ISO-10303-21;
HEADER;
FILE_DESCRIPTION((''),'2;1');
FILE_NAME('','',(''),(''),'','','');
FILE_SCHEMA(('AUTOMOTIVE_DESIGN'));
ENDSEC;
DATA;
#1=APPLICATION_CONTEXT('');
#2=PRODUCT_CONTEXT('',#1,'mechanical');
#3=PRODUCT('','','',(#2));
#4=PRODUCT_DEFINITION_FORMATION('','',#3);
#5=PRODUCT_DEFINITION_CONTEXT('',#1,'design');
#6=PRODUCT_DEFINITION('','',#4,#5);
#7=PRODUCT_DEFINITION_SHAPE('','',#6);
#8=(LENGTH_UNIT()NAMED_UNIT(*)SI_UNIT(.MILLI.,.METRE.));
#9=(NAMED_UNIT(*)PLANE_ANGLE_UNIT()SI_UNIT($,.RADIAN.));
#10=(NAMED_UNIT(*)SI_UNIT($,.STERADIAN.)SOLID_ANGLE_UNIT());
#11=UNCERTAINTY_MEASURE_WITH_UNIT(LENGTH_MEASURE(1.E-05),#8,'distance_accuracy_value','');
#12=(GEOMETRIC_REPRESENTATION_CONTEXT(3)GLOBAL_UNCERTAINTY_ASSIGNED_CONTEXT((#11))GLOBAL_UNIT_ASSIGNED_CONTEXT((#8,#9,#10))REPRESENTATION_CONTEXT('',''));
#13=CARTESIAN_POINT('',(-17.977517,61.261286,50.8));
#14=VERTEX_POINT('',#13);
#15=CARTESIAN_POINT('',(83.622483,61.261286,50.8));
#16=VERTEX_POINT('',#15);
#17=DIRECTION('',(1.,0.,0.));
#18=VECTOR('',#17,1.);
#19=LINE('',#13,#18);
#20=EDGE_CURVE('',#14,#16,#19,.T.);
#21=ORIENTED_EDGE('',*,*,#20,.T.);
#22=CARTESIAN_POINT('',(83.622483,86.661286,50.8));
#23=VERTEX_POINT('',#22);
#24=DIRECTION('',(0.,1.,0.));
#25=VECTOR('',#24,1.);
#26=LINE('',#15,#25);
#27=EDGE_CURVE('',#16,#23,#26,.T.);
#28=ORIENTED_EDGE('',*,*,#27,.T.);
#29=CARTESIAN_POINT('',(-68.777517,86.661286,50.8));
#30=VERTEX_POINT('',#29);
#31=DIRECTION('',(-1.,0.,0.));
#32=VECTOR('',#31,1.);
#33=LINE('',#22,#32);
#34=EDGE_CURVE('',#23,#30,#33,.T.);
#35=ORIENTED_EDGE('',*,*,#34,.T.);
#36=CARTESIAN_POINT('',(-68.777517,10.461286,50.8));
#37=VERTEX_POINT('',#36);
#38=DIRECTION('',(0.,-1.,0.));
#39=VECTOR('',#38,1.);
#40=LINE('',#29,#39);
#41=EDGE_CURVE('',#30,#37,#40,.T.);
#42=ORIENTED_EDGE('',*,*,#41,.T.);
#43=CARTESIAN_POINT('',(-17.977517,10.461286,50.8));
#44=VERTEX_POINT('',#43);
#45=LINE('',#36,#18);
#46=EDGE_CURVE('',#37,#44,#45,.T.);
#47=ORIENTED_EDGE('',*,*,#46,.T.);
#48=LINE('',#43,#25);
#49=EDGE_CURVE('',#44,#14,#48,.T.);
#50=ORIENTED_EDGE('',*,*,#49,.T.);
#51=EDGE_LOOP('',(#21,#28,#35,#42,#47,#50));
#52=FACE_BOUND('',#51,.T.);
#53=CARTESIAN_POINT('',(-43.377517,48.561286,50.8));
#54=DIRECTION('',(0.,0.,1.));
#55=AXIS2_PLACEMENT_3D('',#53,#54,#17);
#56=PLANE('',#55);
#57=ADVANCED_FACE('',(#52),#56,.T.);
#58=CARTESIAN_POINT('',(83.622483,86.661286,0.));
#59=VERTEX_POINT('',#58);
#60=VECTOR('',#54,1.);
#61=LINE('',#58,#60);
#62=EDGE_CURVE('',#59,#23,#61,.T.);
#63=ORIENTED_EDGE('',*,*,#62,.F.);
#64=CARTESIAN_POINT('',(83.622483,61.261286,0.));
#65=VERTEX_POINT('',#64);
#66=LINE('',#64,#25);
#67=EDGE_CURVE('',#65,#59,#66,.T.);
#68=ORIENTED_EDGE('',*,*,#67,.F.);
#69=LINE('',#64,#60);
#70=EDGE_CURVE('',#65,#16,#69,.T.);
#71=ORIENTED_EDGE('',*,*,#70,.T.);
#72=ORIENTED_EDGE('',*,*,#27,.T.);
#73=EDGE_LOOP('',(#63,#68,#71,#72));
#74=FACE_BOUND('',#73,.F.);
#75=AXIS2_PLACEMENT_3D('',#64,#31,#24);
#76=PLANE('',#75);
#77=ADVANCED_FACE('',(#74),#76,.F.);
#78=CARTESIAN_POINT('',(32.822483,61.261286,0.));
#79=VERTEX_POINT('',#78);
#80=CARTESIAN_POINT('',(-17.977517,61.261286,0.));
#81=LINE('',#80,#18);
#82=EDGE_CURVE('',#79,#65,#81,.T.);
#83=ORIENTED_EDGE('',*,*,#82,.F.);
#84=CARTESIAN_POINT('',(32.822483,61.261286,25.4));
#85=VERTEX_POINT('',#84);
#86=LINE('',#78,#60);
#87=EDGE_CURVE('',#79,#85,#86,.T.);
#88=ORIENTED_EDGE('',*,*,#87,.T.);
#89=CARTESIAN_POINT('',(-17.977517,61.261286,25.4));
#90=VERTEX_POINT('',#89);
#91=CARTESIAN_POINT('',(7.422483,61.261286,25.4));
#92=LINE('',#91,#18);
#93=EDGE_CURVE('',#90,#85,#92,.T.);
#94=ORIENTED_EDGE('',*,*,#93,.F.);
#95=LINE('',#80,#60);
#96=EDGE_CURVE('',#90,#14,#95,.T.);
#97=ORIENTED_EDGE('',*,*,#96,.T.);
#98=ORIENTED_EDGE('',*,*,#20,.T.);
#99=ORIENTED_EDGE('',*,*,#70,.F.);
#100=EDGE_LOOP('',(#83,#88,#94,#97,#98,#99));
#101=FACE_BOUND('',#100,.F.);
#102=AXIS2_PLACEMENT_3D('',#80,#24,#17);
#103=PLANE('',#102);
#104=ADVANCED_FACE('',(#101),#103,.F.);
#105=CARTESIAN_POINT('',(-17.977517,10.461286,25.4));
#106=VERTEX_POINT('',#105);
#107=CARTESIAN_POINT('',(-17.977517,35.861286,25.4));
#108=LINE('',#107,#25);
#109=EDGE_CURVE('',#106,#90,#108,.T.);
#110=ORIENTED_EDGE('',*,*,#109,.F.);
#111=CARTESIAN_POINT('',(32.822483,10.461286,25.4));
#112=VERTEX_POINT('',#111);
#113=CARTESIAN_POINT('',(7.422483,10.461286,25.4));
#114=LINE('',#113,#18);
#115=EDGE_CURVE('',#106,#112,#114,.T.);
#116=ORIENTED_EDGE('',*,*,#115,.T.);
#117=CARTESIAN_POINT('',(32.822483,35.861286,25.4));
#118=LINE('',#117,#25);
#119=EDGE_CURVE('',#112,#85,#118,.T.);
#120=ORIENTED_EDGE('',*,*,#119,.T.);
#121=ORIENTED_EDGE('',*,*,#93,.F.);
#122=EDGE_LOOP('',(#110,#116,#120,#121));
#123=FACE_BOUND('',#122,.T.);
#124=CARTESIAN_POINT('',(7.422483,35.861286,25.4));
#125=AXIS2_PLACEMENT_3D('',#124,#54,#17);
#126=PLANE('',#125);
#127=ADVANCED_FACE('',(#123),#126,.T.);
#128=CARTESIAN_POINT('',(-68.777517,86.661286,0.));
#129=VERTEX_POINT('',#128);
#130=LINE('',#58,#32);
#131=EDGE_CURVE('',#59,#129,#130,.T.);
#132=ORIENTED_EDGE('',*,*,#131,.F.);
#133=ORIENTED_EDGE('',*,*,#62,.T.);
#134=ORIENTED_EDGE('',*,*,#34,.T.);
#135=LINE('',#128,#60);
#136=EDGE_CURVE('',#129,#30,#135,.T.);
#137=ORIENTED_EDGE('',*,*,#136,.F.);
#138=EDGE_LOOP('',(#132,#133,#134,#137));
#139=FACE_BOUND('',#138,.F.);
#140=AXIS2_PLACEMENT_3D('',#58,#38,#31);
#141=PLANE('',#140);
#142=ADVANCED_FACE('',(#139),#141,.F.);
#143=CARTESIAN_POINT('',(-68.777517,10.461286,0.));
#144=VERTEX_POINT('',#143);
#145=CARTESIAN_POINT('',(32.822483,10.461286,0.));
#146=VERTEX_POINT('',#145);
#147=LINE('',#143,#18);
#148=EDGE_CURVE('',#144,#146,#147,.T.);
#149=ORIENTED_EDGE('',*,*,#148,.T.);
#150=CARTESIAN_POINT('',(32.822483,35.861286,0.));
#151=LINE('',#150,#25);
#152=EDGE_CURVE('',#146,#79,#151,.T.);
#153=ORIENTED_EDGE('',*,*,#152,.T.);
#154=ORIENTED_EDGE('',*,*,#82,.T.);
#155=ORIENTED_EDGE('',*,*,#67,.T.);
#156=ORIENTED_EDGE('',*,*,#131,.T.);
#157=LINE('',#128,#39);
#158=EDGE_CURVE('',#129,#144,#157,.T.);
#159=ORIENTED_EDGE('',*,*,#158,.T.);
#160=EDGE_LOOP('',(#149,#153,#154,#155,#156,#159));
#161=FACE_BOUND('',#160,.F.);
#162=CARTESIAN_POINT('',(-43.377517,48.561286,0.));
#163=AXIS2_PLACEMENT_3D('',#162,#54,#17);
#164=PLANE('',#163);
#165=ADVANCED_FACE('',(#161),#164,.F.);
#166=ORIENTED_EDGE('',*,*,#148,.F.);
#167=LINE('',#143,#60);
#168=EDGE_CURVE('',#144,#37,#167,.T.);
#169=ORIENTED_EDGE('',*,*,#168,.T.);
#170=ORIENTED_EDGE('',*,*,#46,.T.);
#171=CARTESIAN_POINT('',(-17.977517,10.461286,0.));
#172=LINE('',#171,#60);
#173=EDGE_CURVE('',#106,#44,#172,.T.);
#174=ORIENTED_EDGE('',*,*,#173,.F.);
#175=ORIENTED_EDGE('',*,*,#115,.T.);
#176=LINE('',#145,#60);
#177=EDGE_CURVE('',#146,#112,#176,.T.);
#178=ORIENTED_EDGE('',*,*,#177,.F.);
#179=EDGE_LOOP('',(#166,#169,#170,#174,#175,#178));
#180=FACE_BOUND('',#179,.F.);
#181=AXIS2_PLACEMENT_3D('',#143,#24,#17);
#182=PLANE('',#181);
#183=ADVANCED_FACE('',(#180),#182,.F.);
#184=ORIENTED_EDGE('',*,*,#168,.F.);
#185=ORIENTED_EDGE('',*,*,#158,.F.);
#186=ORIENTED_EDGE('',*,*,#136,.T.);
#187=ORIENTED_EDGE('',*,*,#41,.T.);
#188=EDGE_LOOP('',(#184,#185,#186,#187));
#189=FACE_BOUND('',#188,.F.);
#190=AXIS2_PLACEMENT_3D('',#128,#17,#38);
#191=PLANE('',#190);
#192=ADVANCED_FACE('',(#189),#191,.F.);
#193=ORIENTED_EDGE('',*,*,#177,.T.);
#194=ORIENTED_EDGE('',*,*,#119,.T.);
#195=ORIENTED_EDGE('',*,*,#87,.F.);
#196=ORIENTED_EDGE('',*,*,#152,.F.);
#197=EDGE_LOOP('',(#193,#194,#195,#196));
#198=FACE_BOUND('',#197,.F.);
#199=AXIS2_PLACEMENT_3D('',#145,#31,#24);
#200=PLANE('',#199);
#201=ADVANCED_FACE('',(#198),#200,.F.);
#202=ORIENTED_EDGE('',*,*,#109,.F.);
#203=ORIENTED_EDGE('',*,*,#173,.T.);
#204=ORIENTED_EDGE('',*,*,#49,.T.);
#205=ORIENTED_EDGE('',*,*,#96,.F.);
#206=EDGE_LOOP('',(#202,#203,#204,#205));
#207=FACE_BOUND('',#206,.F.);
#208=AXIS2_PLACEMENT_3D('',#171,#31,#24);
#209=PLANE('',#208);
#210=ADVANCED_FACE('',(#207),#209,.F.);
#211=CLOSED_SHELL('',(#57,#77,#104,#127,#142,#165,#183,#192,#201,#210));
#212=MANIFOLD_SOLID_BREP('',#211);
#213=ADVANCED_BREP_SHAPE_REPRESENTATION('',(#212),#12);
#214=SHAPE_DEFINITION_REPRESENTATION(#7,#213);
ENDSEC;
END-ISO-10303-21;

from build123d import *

# Parameters (mm, degrees)
F0_W     = 50.8
F0_H     = 50.8
F1_DEPTH = 25.4
F2_DEPTH = 50.8


with BuildPart() as f1:
    # F0 (on Top) → F1 (new body)
    with BuildSketch(Plane.XY):
        with Locations((7.422483, 35.861286)):
            Rectangle(F0_W, F0_H)
    extrude(amount=F1_DEPTH)

    # F0 (on Top) → F2 (join)
    with BuildSketch(Plane.XY):
        Polygon((-17.977517, 86.661286), (-68.777517, 86.661286), (-68.777517, 10.461286), (-17.977517, 10.461286), (-17.977517, 61.261286), align=None)
        Polygon((83.622483, 86.661286), (-17.977517, 86.661286), (-17.977517, 61.261286), (32.822483, 61.261286), (83.622483, 61.261286), align=None)
    extrude(amount=F2_DEPTH)


solid = f1.part
